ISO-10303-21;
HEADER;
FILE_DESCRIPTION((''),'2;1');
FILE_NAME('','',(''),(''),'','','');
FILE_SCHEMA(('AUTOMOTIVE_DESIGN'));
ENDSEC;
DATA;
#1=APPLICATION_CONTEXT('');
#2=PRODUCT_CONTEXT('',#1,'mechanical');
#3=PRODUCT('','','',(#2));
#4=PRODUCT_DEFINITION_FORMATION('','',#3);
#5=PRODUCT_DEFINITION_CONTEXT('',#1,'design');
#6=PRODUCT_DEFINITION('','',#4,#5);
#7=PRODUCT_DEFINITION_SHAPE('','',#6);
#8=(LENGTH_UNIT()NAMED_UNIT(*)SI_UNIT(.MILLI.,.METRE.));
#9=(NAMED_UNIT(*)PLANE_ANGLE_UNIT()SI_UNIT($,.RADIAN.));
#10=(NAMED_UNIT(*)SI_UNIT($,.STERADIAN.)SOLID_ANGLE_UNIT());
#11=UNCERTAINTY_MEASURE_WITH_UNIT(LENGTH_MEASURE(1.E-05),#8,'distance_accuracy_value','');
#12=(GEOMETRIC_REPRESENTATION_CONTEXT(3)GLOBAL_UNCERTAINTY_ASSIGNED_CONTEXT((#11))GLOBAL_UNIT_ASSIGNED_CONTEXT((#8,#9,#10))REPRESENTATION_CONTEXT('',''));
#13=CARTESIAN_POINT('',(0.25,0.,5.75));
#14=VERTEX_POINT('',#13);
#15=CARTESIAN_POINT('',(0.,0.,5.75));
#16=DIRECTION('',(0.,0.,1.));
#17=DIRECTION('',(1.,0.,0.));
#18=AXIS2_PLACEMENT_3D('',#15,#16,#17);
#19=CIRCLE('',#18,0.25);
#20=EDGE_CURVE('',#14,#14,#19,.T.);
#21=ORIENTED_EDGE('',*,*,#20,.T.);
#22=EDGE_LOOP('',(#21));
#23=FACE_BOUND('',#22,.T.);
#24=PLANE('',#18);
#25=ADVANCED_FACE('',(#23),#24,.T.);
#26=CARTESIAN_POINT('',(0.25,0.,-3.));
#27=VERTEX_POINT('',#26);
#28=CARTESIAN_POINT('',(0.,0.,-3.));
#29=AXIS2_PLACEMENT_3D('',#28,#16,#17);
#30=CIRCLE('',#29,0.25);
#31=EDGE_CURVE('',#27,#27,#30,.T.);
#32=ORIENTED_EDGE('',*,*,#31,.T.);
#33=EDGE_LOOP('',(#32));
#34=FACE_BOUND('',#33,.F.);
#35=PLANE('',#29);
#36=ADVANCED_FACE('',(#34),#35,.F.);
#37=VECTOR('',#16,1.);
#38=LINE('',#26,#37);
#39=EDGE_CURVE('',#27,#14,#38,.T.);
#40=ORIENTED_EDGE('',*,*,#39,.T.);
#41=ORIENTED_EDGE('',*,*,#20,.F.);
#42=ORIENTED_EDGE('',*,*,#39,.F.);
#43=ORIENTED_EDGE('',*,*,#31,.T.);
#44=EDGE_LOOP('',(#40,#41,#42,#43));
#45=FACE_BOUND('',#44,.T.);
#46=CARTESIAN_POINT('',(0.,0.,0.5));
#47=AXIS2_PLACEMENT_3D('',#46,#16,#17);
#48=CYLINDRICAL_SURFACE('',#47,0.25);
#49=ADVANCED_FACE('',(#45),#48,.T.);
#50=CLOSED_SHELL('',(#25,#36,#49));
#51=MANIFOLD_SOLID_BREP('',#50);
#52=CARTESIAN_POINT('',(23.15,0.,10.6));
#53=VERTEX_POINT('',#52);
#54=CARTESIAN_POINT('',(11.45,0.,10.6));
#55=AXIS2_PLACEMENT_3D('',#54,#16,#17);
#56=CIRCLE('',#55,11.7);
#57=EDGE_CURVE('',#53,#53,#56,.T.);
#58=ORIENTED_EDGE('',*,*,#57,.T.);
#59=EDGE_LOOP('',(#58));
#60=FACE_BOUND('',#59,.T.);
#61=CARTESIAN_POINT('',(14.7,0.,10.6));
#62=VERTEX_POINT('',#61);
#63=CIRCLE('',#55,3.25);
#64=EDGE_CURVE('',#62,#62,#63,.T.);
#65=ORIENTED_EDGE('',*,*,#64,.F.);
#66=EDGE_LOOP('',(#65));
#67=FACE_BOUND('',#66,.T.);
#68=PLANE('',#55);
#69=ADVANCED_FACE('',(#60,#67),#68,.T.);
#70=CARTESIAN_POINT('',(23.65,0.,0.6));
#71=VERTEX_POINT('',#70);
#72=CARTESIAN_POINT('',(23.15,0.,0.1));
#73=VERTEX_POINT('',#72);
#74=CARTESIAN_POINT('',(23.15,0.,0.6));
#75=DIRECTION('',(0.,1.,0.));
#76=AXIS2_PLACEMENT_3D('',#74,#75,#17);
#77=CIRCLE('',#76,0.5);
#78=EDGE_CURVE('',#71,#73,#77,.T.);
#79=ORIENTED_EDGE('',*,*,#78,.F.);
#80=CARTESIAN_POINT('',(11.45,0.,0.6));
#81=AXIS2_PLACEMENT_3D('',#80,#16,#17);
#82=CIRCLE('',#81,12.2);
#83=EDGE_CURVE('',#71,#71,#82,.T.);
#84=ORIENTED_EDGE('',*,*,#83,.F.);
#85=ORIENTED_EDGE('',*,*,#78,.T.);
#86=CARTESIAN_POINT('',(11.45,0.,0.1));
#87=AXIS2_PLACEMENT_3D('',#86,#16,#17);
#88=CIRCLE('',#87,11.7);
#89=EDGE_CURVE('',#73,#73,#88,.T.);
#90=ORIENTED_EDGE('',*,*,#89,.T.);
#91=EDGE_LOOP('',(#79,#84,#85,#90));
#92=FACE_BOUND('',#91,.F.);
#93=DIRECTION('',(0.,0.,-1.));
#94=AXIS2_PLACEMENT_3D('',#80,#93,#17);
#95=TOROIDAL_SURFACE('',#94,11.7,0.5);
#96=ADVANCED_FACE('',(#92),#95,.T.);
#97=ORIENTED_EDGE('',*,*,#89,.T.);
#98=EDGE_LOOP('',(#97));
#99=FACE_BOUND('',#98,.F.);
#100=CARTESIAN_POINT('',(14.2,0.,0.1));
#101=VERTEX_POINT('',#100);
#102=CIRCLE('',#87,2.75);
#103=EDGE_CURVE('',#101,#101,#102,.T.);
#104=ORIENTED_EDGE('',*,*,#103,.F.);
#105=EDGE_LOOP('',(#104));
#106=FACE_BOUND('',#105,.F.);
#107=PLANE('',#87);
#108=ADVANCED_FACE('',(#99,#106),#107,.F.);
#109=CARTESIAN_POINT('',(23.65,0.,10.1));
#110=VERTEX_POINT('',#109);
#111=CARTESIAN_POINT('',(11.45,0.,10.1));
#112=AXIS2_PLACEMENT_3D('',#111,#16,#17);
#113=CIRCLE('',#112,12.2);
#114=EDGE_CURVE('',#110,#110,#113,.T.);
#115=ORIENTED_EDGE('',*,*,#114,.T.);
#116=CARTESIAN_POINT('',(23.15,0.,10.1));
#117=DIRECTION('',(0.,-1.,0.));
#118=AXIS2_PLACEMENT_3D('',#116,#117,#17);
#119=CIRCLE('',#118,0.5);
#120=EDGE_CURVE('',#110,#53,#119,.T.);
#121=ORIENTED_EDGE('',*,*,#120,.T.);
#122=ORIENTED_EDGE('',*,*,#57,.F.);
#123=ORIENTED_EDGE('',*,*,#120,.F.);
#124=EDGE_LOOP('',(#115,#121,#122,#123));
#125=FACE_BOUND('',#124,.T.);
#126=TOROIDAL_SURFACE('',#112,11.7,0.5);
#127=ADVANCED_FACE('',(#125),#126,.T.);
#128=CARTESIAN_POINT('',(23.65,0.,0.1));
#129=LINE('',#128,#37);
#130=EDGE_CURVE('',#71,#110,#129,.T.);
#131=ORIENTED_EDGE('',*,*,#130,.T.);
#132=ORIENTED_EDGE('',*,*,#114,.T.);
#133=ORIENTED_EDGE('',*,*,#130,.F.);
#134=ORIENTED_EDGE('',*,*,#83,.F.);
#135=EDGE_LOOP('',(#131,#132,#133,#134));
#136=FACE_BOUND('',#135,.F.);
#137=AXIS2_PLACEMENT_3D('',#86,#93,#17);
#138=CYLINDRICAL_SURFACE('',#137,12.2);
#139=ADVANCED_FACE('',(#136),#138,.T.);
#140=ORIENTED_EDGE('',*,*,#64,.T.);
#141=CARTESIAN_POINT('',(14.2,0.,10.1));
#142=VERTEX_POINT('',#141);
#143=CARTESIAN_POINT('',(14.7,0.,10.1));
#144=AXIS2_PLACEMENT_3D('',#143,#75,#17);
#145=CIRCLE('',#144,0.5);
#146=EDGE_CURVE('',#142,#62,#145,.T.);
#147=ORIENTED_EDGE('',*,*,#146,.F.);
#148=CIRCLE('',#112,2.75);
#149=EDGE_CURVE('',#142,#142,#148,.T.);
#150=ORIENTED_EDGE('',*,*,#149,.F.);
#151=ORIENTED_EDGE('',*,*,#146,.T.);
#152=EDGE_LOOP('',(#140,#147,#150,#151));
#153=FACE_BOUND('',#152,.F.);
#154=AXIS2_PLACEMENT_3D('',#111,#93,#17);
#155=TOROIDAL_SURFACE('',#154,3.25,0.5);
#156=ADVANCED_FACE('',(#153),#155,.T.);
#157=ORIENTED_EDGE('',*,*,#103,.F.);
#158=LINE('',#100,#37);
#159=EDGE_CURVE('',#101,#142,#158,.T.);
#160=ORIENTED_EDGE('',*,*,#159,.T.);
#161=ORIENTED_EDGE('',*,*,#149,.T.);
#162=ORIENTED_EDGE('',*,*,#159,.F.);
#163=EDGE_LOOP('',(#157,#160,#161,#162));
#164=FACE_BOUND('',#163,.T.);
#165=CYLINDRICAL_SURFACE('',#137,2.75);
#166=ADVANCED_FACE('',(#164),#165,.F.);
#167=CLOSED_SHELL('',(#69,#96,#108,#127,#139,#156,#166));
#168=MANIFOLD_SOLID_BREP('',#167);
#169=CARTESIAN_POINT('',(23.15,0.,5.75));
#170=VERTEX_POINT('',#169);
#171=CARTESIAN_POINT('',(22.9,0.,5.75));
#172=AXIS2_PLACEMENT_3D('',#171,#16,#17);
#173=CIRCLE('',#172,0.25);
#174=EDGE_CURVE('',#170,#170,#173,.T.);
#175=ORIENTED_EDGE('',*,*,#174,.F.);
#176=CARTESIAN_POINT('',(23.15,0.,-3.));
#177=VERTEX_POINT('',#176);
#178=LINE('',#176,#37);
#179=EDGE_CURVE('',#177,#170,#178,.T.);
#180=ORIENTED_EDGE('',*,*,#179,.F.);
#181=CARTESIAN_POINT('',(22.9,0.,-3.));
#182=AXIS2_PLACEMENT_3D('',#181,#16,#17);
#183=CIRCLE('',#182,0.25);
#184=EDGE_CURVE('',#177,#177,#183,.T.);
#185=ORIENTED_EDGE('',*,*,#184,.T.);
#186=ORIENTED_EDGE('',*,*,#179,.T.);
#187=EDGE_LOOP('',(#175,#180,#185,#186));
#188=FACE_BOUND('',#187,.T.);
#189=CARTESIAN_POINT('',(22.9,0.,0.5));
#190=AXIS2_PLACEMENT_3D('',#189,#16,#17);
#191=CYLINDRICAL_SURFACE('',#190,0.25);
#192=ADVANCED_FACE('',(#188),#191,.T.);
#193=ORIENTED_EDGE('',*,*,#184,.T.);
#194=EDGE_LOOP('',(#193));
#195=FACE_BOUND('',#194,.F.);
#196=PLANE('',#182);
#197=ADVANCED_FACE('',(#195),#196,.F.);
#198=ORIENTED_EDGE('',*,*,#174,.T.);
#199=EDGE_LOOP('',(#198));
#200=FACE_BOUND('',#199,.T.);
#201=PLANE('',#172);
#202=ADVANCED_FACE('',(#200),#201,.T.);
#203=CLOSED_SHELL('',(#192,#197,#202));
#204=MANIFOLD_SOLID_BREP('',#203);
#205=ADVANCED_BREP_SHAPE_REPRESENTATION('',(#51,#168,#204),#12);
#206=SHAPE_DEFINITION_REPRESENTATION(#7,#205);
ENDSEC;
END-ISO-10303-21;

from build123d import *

# Parameters (mm, degrees)
SKETCH001_R       = 0.25
PAD001_DEPTH      = 5.25
PAD001_DEPTH_BACK = 3.5
SKETCH_R          = 12.2
SKETCH_R_2        = 2.75
PAD_DEPTH         = 10.5
FILLET_R          = 0.5


with BuildPart() as pad001:
    # Sketch001 → Pad001 (new body, two sides)
    with BuildSketch(Plane.XY.offset(0.5)) as pad001_sk:
        Circle(SKETCH001_R)
        with Locations((22.9, 0)):
            Circle(SKETCH001_R)
    extrude(amount=PAD001_DEPTH)
    extrude(pad001_sk.sketch, amount=-PAD001_DEPTH_BACK)


with BuildPart() as fillet_body:
    # Sketch → Pad (new body)
    with BuildSketch(Plane.XY.offset(0.1)):
        with Locations((11.45, 0)):
            Circle(SKETCH_R)
        with Locations((11.45, 0)):
            Circle(SKETCH_R_2, mode=Mode.SUBTRACT)
    extrude(amount=PAD_DEPTH)

    # Fillet
    fillet_edges = [fillet_body.edges().sort_by_distance(p)[0] for p in [
        (8.7, 0, 10.6),
        (-0.75, 0, 10.6),
        (-0.75, 0, 0.1),
    ]]
    fillet(fillet_edges, radius=FILLET_R)


solid = Compound([pad001.part, fillet_body.part])
